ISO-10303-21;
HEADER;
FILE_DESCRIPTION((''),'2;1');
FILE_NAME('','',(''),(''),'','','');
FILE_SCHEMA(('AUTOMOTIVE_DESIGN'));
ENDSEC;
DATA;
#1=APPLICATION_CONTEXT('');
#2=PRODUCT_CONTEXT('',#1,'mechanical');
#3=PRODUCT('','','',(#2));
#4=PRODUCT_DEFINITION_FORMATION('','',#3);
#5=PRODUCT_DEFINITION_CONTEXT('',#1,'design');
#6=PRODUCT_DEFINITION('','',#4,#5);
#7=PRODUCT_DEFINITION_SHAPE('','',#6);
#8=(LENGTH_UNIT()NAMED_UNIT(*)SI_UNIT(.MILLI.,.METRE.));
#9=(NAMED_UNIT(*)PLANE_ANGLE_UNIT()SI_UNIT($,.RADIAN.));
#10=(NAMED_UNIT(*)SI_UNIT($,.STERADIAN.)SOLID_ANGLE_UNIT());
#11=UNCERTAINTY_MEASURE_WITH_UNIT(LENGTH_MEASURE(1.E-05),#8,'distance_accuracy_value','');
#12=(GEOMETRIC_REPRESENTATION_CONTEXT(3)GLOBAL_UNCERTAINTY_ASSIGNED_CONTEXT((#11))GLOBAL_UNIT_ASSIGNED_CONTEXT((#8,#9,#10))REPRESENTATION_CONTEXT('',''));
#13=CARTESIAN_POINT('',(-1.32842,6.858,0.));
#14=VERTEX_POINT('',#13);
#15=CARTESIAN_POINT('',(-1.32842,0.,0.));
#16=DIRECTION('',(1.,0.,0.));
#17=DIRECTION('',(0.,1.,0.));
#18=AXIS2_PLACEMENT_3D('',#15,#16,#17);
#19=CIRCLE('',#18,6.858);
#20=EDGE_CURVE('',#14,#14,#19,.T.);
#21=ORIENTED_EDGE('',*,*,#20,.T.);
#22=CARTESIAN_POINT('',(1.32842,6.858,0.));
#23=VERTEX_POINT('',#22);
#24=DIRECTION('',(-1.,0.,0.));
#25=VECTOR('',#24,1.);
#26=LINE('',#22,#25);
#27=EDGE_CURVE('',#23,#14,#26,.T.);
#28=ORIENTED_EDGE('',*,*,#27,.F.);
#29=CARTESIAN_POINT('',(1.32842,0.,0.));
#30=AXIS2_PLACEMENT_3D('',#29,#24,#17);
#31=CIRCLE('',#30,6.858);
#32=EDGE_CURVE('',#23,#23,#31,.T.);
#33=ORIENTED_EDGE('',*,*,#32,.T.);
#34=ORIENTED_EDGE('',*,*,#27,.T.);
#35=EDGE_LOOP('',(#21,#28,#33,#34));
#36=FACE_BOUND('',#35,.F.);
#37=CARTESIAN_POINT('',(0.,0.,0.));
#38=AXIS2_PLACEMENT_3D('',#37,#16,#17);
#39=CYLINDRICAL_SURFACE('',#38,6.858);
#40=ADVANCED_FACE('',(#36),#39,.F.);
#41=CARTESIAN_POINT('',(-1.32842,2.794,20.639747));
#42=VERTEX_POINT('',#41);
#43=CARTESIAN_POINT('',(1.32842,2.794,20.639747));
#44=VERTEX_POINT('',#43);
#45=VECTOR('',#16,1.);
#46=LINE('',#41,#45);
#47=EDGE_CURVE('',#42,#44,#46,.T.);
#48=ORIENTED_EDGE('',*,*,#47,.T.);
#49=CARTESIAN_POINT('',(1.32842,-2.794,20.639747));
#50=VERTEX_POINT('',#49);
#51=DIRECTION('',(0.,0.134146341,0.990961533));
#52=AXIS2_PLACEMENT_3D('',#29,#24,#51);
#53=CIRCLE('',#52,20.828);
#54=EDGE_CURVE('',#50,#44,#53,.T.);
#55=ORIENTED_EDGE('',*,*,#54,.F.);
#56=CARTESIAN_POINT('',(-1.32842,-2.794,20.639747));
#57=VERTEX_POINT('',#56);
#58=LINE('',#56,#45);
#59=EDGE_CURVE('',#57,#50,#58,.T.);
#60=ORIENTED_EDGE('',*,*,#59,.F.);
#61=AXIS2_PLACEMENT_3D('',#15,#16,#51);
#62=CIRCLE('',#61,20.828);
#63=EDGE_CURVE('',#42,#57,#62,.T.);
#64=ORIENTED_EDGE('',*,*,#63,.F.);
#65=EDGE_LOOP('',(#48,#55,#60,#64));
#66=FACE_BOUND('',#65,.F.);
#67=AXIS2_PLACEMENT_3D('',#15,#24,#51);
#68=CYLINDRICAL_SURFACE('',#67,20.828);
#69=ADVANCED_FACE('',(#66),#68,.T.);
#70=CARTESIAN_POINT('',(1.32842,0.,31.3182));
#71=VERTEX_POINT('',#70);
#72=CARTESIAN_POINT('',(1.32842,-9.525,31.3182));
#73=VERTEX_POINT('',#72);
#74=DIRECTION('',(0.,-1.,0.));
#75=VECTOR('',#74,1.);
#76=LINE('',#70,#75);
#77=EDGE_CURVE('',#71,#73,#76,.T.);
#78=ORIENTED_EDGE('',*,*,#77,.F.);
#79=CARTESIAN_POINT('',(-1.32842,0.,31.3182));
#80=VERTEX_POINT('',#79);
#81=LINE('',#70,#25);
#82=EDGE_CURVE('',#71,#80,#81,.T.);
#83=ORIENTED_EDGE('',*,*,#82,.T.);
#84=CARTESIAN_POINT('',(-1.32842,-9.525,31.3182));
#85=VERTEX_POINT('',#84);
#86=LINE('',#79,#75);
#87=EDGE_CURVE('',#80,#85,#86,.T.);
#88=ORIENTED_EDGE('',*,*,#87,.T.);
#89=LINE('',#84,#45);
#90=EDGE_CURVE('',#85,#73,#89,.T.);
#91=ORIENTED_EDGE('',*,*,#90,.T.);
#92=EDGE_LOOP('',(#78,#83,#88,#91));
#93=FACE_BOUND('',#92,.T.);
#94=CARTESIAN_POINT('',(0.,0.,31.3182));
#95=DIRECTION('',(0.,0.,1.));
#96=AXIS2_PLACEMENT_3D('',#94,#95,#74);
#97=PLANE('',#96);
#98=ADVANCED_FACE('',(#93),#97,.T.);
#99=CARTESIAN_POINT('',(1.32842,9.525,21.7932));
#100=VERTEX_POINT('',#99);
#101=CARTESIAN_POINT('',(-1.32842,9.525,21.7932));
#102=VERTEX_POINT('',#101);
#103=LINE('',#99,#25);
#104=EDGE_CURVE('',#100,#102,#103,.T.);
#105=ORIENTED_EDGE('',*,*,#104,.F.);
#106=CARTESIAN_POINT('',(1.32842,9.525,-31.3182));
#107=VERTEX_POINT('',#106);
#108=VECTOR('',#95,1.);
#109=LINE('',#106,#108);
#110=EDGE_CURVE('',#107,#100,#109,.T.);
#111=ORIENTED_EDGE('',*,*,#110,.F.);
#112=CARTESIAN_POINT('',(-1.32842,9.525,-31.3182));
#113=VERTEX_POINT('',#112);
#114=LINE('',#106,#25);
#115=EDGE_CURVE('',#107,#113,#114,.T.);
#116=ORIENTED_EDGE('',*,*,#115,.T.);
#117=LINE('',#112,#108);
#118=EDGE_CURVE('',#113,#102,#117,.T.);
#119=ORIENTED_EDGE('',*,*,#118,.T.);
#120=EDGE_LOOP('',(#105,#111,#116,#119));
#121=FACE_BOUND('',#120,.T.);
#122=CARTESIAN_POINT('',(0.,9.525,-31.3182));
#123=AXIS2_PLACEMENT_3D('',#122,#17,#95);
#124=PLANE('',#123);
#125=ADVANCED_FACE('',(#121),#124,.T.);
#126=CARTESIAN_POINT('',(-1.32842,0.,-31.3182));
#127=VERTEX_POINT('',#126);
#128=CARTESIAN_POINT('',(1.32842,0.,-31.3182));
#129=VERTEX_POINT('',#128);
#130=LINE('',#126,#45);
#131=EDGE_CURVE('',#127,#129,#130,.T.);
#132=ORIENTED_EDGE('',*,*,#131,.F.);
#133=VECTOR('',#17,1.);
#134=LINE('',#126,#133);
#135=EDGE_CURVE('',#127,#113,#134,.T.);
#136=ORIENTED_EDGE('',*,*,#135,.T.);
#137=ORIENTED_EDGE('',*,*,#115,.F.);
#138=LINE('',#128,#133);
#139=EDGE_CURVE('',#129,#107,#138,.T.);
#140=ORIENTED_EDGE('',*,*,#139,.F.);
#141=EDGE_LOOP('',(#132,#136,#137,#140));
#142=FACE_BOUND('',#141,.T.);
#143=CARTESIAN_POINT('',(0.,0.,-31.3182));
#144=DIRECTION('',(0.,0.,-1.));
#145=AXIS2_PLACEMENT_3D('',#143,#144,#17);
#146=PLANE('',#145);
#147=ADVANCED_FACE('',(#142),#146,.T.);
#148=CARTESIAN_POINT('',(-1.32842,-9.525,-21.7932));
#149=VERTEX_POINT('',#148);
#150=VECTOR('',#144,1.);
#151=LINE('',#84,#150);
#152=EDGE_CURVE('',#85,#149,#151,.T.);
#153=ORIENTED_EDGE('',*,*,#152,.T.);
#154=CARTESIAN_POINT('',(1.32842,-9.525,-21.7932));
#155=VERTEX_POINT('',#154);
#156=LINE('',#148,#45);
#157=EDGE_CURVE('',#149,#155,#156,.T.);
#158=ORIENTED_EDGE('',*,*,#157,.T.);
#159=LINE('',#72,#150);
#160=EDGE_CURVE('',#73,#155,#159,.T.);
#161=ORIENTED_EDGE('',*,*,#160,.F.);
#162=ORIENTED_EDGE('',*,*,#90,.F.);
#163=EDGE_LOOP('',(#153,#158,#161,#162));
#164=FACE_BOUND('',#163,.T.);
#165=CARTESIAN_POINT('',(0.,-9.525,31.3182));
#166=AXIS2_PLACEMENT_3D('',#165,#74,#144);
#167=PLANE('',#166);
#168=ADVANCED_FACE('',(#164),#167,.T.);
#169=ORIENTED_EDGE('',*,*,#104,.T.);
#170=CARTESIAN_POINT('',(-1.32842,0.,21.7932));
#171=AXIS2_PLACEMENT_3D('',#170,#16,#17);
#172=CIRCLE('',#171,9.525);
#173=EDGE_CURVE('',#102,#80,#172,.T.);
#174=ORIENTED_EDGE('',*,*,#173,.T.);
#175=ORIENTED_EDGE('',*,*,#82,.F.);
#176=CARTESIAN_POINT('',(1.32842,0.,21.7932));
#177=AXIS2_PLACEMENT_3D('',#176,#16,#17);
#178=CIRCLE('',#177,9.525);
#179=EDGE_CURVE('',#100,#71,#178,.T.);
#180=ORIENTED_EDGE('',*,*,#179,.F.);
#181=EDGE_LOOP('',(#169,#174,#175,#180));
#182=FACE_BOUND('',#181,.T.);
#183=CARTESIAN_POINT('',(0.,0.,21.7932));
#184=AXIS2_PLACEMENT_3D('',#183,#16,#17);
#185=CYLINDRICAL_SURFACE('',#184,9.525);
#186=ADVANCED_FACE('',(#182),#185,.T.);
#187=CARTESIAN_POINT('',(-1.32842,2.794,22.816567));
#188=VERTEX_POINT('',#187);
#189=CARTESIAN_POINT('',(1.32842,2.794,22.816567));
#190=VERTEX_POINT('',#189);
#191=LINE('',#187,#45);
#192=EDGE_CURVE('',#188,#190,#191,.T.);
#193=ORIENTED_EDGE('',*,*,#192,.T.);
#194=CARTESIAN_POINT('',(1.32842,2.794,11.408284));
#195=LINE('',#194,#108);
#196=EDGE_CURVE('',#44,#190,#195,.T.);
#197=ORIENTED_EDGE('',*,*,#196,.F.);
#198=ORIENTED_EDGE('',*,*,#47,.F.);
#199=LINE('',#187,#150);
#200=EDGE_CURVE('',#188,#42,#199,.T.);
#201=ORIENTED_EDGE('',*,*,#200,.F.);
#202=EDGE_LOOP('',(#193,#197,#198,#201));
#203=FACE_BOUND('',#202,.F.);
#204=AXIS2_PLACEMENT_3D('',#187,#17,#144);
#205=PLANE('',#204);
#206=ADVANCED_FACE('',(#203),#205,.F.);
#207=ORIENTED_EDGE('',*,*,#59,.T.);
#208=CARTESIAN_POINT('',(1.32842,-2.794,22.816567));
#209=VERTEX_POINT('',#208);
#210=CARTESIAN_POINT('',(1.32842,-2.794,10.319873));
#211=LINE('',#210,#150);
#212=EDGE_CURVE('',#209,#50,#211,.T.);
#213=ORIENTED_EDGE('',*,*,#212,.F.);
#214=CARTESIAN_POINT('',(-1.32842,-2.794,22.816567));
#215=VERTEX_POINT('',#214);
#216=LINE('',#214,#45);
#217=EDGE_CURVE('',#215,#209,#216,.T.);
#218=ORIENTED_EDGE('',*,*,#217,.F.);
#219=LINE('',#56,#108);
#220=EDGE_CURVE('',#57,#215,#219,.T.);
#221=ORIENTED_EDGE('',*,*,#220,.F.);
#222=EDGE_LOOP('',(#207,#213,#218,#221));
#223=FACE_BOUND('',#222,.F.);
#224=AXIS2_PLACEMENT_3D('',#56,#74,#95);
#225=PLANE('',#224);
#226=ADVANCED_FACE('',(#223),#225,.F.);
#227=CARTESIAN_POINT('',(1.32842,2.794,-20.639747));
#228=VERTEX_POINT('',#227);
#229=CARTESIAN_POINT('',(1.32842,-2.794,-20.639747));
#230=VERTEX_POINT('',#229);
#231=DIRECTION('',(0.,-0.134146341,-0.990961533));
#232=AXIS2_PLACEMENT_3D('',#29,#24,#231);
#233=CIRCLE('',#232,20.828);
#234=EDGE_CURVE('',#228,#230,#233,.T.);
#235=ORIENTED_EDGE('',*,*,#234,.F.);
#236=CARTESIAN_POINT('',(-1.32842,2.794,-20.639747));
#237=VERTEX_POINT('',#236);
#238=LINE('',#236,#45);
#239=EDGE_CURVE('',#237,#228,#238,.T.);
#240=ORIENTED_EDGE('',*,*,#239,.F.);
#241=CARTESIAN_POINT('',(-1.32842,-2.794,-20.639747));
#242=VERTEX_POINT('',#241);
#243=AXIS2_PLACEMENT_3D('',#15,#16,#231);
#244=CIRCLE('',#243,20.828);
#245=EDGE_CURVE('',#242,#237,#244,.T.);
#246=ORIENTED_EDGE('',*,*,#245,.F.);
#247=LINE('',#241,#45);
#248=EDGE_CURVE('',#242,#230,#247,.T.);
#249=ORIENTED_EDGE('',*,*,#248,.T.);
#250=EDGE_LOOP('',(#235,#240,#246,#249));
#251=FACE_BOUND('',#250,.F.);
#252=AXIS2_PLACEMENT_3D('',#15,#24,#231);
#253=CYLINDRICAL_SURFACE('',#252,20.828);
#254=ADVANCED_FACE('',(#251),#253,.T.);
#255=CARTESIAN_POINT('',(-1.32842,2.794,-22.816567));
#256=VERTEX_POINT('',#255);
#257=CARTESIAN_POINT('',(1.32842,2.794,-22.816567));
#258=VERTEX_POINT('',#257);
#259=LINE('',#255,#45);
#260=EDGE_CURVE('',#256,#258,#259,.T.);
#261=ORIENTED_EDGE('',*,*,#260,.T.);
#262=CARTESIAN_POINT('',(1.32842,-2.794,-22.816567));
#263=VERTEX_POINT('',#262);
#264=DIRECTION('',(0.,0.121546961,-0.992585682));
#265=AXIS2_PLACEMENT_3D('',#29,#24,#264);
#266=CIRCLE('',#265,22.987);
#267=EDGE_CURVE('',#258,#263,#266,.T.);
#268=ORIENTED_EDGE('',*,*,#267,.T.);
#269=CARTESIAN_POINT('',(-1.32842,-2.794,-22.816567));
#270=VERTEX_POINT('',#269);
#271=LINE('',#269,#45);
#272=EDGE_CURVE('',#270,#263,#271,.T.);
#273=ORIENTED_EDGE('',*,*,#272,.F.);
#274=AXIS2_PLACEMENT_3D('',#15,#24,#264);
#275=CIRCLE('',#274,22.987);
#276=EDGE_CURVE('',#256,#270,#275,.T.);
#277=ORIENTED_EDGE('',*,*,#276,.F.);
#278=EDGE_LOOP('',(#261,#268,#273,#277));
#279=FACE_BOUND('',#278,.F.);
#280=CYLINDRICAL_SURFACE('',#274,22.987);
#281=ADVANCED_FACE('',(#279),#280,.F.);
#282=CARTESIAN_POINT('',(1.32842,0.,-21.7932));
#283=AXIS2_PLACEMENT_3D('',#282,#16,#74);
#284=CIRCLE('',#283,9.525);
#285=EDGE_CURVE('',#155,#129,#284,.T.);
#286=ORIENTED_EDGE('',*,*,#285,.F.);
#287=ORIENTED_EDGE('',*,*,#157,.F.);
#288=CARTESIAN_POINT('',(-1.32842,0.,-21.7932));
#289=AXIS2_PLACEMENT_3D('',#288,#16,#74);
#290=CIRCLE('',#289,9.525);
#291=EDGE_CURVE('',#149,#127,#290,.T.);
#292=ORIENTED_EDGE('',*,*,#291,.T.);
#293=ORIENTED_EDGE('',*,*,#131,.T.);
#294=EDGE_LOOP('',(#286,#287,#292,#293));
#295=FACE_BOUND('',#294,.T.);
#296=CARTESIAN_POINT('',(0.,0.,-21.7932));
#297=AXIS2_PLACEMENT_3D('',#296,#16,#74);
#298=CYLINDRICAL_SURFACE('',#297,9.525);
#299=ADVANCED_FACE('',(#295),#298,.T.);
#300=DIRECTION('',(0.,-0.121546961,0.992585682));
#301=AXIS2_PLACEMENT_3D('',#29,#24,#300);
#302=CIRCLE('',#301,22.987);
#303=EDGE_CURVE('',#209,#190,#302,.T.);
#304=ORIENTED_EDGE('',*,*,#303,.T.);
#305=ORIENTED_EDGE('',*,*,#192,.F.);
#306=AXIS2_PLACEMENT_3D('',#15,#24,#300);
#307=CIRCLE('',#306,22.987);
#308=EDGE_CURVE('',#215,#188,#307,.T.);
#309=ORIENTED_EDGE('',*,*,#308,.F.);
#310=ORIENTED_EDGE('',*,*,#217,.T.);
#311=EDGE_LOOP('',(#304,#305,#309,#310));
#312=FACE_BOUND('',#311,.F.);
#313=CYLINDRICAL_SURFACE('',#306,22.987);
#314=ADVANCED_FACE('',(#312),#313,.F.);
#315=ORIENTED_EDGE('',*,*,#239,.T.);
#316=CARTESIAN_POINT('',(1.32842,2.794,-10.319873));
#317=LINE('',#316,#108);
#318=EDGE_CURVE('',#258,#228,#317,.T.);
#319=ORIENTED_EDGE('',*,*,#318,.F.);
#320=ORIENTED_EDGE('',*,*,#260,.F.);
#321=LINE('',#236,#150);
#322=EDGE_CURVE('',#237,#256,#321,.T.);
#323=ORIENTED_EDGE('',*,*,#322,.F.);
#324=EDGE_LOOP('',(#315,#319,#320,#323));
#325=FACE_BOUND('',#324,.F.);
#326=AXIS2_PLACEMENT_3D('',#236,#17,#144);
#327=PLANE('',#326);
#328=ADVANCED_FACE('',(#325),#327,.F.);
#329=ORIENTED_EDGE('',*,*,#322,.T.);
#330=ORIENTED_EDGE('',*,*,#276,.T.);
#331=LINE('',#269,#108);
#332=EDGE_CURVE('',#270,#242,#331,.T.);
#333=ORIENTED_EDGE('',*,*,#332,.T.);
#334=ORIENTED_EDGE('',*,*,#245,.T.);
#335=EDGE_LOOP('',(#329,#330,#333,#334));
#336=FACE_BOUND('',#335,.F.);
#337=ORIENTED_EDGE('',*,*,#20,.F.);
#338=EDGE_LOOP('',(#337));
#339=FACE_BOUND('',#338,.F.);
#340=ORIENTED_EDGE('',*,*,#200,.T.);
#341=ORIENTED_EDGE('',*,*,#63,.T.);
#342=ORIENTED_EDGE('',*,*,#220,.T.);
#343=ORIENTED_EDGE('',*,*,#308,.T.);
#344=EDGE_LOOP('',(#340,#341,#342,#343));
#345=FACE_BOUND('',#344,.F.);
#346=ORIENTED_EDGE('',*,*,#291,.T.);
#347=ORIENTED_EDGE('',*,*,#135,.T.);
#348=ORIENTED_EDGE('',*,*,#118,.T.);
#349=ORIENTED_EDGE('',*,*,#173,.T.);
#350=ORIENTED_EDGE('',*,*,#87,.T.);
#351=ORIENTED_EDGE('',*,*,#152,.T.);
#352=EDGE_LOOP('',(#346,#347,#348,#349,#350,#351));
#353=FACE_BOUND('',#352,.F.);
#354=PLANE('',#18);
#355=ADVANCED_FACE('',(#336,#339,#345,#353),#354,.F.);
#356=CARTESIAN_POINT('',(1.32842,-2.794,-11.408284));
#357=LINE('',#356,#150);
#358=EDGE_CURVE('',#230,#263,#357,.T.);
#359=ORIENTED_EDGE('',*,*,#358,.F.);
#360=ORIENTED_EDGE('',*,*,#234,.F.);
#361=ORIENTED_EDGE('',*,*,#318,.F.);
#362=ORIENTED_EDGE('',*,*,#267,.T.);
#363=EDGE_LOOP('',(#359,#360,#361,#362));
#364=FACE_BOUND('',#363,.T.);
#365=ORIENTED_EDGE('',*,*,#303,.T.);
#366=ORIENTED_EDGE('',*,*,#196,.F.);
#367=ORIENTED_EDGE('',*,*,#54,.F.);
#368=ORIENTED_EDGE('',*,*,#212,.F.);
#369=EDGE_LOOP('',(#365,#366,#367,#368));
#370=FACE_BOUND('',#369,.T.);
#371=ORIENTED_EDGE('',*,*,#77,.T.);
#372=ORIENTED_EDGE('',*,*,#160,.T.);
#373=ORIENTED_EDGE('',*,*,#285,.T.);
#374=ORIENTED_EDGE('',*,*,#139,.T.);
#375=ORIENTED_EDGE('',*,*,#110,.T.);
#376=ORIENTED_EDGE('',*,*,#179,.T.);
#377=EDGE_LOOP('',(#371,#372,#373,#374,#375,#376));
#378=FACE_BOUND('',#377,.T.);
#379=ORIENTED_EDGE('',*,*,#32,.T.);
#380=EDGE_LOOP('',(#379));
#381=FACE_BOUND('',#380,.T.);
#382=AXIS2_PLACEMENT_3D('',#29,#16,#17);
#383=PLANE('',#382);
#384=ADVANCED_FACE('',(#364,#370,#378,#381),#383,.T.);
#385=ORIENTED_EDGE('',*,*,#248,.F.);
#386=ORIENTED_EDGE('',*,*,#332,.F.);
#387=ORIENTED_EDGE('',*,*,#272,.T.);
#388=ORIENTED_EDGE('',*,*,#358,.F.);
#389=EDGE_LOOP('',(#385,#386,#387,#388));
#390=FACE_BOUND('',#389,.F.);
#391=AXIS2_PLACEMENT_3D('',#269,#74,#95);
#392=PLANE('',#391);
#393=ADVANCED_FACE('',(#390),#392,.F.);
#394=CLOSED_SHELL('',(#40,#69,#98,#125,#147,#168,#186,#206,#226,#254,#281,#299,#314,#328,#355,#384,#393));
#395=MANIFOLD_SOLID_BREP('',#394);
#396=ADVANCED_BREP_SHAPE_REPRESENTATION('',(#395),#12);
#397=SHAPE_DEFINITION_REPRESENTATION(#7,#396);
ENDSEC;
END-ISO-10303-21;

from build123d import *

# Parameters (mm, degrees)
F1_DEPTH      = 1.32842
F2_R          = 6.858
F3_DEPTH      = 1.32942
F3_DEPTH_BACK = 1.32942
F5_DEPTH      = 2.65784


with BuildPart() as f1:
    # F0 (on Right) → F1 (new body, symmetric)
    with BuildSketch(Plane.YZ):
        with BuildLine():
            Line((0, 31.3182), (-9.525, 31.3182))
            Line((-9.525, 31.3182), (-9.525, -21.7932))
            ThreePointArc((-9.525, -21.7932), (-6.7351920908, -28.5283920908), (0, -31.3182))
            Line((0, -31.3182), (9.525, -31.3182))
            Line((9.525, -31.3182), (9.525, 21.7932))
            ThreePointArc((9.525, 21.7932), (6.7351920908, 28.5283920908), (0, 31.3182))
        make_face()
    extrude(amount=F1_DEPTH, both=True)

    # F2 (on Right) → F3 (cut, two sides)
    with BuildSketch(Plane.YZ) as f3_sk:
        Circle(F2_R)
    extrude(amount=-F3_DEPTH, mode=Mode.SUBTRACT)
    extrude(f3_sk.sketch, amount=F3_DEPTH_BACK, mode=Mode.SUBTRACT)

    # F4 (on face) → F5 (cut, through all)
    with BuildSketch(Plane(origin=(-1.32842, 0, 0), x_dir=(0, -1, 0), z_dir=(-1, 0, 0))):
        with BuildLine():
            Line((2.794, 20.6397468008), (2.794, 22.8165670731))
            ThreePointArc((2.794, 22.8165670731), (0, 22.987), (-2.794, 22.8165670731))
            Line((-2.794, 22.8165670731), (-2.794, 20.6397468008))
            ThreePointArc((-2.794, 20.6397468008), (0, 20.828), (2.794, 20.6397468008))
        make_face()
        with BuildLine():
            Line((-2.794, -20.6397468008), (-2.794, -22.8165670731))
            ThreePointArc((-2.794, -22.8165670731), (0, -22.987), (2.794, -22.8165670731))
            Line((2.794, -22.8165670731), (2.794, -20.6397468008))
            ThreePointArc((2.794, -20.6397468008), (0, -20.828), (-2.794, -20.6397468008))
        make_face()
    extrude(amount=-F5_DEPTH, mode=Mode.SUBTRACT)


solid = f1.part
